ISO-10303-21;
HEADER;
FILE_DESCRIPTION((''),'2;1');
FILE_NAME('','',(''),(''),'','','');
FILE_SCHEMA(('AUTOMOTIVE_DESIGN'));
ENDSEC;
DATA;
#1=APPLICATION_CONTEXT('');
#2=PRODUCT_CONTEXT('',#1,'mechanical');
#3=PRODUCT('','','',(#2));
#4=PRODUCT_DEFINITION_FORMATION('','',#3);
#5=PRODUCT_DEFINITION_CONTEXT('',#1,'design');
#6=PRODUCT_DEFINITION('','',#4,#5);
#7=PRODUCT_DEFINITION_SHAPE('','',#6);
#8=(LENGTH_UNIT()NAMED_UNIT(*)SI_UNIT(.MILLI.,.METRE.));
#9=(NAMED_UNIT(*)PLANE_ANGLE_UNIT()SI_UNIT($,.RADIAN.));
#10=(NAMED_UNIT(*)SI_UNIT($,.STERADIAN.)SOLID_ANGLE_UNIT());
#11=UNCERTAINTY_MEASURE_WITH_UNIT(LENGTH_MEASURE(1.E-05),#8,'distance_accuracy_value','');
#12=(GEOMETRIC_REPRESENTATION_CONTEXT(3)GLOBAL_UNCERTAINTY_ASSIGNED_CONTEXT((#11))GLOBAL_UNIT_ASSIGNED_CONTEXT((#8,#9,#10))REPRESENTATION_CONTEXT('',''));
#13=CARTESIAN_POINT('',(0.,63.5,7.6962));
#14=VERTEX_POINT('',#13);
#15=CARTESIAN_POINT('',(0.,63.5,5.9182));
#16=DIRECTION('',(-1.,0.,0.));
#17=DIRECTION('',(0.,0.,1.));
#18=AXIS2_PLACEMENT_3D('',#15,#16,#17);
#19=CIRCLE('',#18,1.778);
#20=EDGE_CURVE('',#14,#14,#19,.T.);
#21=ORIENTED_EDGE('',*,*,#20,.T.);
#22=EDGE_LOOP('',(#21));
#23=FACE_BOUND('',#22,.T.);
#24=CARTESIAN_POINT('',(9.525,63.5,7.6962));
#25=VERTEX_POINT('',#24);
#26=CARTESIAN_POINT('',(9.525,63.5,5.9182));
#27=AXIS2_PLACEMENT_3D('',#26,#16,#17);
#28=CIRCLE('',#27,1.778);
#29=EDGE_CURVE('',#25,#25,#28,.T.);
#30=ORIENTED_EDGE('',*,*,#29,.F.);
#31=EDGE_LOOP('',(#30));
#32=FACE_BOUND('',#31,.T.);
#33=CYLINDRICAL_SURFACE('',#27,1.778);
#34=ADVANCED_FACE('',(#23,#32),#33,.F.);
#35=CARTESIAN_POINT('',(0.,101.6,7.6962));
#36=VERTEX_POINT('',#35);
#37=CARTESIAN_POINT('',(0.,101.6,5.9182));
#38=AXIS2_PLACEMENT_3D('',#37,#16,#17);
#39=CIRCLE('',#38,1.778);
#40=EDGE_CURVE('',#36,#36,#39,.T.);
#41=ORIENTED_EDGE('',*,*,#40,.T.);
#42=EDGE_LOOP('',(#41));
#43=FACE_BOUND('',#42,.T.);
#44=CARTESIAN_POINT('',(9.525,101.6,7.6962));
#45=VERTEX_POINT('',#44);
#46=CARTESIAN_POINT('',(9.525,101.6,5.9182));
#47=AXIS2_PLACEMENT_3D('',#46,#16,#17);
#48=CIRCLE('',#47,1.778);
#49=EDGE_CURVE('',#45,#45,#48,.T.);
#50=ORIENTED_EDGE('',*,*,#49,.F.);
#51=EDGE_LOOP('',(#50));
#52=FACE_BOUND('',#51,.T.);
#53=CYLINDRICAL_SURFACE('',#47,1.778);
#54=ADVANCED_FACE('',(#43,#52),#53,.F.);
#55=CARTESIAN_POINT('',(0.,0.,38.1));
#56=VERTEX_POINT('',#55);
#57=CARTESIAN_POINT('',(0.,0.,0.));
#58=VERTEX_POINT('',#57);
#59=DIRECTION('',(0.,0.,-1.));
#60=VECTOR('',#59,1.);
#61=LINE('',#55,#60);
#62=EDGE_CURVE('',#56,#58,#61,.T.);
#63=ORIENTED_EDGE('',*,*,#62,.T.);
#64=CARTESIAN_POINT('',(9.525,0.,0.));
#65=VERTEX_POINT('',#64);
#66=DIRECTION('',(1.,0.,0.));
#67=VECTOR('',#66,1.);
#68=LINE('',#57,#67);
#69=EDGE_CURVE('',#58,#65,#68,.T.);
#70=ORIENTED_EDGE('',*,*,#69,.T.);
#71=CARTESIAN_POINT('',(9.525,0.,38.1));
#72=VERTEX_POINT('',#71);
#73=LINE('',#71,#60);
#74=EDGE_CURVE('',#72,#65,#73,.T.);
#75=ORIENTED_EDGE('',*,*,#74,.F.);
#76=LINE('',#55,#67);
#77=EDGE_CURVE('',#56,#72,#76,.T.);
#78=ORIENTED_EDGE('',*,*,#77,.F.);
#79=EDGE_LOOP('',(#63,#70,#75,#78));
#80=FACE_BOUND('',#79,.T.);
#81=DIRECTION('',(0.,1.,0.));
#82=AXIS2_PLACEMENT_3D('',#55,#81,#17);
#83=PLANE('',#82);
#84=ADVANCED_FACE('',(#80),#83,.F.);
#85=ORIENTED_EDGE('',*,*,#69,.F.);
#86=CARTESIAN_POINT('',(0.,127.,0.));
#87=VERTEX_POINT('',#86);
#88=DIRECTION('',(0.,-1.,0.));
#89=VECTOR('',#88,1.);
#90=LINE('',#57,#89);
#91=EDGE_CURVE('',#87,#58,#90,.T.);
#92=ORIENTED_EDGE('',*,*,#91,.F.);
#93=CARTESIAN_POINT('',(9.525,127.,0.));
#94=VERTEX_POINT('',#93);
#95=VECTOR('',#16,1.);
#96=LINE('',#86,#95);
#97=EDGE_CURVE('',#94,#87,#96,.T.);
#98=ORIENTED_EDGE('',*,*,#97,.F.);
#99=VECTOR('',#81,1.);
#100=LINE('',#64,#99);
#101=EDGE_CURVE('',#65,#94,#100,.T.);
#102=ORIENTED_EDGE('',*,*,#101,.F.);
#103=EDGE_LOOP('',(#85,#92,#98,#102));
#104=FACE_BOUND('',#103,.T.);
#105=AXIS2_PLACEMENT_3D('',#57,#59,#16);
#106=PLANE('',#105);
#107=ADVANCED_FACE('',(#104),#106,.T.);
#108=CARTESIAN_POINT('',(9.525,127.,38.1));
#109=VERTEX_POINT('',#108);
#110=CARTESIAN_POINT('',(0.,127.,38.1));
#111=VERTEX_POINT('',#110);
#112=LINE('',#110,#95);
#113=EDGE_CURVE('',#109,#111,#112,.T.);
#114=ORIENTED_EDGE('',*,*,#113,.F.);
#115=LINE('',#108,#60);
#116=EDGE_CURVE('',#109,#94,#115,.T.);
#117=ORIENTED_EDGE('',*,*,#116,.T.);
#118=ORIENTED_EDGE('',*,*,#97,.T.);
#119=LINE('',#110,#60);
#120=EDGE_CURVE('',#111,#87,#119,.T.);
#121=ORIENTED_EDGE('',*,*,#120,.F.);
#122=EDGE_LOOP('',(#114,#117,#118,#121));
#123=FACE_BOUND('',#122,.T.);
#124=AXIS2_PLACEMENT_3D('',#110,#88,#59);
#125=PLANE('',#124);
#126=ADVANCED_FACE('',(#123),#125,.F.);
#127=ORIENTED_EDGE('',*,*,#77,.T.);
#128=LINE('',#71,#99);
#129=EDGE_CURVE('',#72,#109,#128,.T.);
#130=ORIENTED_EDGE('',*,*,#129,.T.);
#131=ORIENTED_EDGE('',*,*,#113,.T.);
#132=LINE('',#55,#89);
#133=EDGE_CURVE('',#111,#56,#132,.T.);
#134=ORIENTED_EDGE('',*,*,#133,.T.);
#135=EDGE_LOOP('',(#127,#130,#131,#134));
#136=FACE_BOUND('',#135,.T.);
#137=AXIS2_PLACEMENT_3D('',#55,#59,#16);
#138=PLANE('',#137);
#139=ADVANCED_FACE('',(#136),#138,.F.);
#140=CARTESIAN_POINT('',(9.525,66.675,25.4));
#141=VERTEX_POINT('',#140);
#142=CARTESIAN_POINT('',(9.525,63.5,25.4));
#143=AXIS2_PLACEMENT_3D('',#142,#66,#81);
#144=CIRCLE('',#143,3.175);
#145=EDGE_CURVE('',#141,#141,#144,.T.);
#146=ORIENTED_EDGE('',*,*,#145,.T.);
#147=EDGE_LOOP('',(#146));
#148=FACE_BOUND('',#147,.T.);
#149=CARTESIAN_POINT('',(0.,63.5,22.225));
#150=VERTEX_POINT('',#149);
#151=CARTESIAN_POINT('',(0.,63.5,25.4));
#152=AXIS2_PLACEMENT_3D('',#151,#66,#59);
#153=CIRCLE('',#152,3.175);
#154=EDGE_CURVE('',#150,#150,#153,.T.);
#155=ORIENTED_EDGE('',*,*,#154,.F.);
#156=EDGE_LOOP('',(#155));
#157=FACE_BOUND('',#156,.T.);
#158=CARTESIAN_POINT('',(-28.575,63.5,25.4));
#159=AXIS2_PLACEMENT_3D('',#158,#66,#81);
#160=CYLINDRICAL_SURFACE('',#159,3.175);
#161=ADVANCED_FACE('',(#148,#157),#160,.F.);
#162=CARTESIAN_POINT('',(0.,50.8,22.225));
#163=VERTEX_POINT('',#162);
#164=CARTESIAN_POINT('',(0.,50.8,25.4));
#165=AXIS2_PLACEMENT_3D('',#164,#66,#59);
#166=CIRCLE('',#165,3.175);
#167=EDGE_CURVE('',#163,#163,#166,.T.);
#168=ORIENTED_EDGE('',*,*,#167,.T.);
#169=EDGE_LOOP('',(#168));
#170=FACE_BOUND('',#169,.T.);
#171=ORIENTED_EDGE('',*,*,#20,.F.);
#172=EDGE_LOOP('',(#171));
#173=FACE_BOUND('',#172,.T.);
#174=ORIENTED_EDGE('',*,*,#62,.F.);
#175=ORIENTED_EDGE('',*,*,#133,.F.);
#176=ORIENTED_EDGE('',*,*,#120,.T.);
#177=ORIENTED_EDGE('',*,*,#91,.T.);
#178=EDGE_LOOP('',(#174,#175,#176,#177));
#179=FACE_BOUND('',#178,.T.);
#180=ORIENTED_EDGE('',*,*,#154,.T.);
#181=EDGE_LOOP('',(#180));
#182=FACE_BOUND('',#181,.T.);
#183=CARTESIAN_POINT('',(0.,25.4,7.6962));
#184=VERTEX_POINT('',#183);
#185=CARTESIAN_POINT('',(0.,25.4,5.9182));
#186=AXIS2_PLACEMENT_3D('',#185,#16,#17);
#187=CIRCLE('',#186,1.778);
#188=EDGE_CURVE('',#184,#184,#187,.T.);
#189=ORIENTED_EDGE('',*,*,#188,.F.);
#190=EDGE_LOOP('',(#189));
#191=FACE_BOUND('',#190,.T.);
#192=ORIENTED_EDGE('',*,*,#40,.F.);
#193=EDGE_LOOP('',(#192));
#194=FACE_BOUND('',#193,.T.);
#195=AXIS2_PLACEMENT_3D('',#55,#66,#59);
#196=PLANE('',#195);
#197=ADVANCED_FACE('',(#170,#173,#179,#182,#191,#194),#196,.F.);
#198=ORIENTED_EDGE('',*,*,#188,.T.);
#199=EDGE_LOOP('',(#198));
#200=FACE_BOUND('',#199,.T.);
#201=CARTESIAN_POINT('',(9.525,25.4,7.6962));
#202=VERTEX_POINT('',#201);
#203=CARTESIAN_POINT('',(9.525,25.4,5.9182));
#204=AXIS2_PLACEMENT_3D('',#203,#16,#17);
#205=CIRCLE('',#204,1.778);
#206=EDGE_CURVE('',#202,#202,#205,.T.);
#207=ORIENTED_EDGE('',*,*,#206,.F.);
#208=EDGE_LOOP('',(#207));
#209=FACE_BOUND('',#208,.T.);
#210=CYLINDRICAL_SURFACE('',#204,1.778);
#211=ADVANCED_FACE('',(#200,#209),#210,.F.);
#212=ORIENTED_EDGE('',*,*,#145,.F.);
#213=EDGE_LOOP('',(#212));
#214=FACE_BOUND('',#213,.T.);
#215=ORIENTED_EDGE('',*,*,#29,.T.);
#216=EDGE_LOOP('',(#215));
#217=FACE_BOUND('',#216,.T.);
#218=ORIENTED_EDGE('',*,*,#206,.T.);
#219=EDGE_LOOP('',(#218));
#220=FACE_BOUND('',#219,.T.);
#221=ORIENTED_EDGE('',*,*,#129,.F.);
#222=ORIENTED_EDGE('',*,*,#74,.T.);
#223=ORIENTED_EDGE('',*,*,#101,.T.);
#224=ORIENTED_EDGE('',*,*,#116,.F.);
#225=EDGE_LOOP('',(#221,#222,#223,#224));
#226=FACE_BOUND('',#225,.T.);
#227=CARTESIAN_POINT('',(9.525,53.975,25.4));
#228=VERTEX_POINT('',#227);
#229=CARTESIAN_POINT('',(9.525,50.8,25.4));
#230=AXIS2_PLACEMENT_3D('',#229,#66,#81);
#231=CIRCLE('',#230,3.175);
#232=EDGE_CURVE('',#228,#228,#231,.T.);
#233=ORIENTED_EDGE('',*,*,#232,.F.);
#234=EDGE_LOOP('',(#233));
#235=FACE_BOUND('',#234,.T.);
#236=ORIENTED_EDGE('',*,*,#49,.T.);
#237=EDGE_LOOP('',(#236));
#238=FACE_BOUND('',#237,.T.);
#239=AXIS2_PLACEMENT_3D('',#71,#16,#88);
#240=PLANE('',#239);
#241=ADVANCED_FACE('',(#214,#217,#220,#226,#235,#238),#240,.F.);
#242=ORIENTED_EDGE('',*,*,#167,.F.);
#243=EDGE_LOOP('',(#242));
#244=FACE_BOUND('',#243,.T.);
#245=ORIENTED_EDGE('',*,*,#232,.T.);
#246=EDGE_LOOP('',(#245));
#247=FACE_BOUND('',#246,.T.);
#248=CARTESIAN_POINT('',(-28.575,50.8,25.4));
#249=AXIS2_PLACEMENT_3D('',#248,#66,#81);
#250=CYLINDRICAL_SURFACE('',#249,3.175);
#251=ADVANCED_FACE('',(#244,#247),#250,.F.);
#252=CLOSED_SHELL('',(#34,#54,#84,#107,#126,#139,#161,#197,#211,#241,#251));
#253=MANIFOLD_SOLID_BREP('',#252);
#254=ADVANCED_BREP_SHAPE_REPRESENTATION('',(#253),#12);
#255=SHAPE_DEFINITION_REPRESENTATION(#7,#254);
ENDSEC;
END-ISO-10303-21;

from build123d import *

# Parameters (mm, degrees)
SKETCH1_W           = 9.525
SKETCH1_H           = 127
BOSS_EXTRUDE1_DEPTH = 38.1
SKETCH2_R           = 1.778
CUT_EXTRUDE1_DEPTH  = 10.525
SKETCH3_R           = 3.175
CUT_EXTRUDE2_DEPTH  = 38.1


with BuildPart() as part:
    # Sketch1 → Boss-Extrude1 (new body)
    with BuildSketch(Plane.XY):
        with Locations((4.7625, 63.5)):
            Rectangle(SKETCH1_W, SKETCH1_H)
    extrude(amount=BOSS_EXTRUDE1_DEPTH)

    # Sketch2 → Cut-Extrude1 (cut, through all)
    with BuildSketch(Plane.ZY):
        with Locations((5.9182, 101.6)):
            Circle(SKETCH2_R)
        with Locations((5.9182, 63.5)):
            Circle(SKETCH2_R)
        with Locations((5.9182, 25.4)):
            Circle(SKETCH2_R)
    extrude(amount=-CUT_EXTRUDE1_DEPTH, mode=Mode.SUBTRACT)

    # Sketch3 → Cut-Extrude2 (cut)
    with BuildSketch(Plane(origin=(9.525, 0, 0), x_dir=(0, 0, -1), z_dir=(1, 0, 0))):
        with Locations((-25.4, 63.5)):
            Circle(SKETCH3_R)
        with Locations((-25.4, 50.8)):
            Circle(SKETCH3_R)
    extrude(amount=-CUT_EXTRUDE2_DEPTH, mode=Mode.SUBTRACT)


solid = part.part
